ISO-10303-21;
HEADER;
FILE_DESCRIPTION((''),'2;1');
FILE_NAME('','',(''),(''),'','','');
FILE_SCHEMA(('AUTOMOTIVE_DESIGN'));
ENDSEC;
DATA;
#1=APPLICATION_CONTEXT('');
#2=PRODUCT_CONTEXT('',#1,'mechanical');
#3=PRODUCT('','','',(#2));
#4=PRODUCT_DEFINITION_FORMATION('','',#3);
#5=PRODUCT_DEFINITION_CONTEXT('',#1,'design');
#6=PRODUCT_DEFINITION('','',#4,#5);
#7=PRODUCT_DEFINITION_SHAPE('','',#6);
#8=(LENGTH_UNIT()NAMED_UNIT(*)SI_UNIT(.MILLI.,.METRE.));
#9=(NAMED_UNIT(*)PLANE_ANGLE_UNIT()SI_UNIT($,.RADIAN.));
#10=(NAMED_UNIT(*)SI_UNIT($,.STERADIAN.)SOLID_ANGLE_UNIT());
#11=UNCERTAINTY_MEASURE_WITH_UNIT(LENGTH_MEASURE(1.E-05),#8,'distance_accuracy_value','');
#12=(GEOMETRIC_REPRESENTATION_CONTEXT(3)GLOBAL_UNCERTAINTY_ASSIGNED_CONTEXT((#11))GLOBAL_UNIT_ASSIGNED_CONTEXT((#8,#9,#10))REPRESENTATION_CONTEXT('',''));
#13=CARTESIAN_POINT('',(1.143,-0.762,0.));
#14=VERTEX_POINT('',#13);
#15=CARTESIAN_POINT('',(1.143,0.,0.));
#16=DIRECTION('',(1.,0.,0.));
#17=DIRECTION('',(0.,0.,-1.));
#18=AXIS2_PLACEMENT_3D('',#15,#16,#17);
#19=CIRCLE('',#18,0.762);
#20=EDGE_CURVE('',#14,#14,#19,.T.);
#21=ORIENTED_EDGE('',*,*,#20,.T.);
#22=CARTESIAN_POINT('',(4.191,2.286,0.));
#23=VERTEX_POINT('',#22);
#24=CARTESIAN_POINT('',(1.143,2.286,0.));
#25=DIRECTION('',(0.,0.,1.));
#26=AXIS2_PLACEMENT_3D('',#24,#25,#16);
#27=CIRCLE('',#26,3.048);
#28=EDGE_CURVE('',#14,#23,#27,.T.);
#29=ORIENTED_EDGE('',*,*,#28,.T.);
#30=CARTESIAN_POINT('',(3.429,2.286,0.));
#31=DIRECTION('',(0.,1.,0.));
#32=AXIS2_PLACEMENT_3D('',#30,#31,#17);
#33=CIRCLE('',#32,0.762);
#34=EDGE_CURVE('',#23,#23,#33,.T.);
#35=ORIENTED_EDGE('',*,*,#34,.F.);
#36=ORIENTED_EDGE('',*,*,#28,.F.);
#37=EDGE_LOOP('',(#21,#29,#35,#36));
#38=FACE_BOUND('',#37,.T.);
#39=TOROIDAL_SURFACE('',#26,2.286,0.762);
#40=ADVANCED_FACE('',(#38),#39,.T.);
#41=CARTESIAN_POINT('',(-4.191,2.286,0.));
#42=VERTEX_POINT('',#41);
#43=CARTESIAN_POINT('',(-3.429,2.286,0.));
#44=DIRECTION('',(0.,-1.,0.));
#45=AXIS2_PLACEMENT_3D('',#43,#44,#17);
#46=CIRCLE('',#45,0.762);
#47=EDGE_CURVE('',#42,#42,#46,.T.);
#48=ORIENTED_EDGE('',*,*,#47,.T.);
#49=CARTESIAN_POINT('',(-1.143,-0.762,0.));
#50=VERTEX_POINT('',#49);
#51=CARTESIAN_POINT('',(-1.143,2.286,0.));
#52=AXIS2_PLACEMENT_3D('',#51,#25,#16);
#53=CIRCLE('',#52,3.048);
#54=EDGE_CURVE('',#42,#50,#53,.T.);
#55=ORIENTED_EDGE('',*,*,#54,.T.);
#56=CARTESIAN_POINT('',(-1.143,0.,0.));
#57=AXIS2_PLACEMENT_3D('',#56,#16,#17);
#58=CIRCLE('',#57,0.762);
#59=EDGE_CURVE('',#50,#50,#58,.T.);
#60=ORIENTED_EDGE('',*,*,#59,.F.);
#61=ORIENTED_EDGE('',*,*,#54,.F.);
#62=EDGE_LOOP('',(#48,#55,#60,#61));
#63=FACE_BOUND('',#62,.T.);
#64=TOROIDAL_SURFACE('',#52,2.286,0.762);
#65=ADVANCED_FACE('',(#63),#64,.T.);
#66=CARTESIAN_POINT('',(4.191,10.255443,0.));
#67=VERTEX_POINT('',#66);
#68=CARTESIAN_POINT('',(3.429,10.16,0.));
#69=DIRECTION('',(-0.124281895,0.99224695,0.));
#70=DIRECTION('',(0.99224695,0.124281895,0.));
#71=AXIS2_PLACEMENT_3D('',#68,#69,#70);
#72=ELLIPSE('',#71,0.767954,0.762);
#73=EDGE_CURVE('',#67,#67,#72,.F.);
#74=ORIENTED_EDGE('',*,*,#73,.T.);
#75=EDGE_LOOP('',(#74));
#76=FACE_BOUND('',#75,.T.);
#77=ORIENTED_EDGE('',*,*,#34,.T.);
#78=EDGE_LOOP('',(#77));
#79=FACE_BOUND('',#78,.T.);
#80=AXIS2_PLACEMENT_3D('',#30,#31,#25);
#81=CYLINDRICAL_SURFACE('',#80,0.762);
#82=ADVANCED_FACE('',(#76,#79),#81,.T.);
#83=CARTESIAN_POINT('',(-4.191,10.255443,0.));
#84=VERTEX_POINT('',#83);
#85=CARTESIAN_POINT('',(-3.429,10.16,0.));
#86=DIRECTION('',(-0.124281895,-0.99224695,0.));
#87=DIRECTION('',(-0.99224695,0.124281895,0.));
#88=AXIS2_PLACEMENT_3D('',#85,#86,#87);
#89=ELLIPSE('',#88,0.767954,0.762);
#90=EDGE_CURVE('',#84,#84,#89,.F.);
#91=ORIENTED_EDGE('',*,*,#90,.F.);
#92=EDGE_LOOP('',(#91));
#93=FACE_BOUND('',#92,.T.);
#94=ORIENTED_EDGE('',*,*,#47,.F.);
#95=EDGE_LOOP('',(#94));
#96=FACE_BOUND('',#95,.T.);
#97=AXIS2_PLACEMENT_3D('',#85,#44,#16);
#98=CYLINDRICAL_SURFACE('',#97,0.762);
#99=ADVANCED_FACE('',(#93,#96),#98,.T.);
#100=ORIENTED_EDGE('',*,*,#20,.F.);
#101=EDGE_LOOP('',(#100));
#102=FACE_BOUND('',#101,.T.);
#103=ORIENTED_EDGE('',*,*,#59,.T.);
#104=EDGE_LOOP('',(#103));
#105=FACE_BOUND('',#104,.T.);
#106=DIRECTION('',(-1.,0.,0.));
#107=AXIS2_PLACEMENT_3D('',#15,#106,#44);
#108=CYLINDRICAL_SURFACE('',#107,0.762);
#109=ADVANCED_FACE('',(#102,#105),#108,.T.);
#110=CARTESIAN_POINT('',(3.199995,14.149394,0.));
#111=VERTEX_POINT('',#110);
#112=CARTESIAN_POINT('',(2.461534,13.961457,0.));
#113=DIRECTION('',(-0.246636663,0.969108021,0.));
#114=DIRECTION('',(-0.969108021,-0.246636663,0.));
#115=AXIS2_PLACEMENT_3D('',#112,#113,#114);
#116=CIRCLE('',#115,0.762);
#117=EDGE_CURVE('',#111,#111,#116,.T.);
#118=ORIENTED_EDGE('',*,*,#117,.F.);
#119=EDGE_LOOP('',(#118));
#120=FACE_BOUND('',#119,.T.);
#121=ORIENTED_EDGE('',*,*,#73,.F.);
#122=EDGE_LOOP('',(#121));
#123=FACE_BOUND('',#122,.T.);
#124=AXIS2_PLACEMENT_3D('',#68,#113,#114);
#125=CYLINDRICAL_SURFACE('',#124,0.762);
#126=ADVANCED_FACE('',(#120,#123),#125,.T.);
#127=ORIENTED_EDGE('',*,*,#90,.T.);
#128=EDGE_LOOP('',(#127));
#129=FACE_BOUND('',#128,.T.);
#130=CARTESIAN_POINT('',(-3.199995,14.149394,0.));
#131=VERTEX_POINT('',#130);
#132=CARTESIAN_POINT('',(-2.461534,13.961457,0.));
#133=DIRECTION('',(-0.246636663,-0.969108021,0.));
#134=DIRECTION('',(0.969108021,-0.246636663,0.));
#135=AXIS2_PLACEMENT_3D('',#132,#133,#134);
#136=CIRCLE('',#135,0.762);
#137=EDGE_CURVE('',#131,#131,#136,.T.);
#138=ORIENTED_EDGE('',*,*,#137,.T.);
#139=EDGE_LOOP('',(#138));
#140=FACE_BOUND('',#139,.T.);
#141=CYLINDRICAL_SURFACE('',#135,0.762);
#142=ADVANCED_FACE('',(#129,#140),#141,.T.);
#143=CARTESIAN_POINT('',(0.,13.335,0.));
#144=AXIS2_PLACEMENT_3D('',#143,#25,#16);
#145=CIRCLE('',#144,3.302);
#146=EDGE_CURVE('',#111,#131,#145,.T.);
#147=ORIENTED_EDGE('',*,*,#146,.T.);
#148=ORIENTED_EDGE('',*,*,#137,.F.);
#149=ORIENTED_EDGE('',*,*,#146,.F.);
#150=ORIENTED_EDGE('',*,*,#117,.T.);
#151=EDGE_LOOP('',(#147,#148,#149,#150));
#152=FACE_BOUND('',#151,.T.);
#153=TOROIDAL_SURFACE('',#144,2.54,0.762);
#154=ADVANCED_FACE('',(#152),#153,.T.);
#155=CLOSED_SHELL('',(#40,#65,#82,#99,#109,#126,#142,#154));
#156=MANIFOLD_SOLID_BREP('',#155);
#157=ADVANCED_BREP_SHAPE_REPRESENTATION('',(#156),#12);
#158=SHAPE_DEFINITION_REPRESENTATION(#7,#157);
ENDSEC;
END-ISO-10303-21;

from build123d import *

# Parameters (mm, degrees)
SKETCH2_R = 0.762


with BuildPart() as part:
    # Base-Sweep: sweep along a path in Sketch1
    with BuildLine(Plane.XY) as base_sweep_path:
        Line((-1.143, 0), (1.143, 0))
        ThreePointArc((1.143, 0), (2.759446102, 0.669553898), (3.429, 2.286))
        Line((3.429, 2.286), (3.429, 10.16))
        Line((3.429, 10.16), (2.461534374, 13.961457123))
        ThreePointArc((2.461534374, 13.961457123), (0, 15.875), (-2.461534374, 13.961457123))
        Line((-2.461534374, 13.961457123), (-3.429, 10.16))
        Line((-3.429, 10.16), (-3.429, 2.286))
        ThreePointArc((-3.429, 2.286), (-2.759446102, 0.669553898), (-1.143, 0))
    # Sketch2 → Base-Sweep (sweep)
    with BuildSketch(Plane(origin=(0, 0, 0), x_dir=(0, 0, -1), z_dir=(1, 0, 0))):
        Circle(SKETCH2_R)
    sweep(path=base_sweep_path.line, transition=Transition.RIGHT)


solid = part.part
